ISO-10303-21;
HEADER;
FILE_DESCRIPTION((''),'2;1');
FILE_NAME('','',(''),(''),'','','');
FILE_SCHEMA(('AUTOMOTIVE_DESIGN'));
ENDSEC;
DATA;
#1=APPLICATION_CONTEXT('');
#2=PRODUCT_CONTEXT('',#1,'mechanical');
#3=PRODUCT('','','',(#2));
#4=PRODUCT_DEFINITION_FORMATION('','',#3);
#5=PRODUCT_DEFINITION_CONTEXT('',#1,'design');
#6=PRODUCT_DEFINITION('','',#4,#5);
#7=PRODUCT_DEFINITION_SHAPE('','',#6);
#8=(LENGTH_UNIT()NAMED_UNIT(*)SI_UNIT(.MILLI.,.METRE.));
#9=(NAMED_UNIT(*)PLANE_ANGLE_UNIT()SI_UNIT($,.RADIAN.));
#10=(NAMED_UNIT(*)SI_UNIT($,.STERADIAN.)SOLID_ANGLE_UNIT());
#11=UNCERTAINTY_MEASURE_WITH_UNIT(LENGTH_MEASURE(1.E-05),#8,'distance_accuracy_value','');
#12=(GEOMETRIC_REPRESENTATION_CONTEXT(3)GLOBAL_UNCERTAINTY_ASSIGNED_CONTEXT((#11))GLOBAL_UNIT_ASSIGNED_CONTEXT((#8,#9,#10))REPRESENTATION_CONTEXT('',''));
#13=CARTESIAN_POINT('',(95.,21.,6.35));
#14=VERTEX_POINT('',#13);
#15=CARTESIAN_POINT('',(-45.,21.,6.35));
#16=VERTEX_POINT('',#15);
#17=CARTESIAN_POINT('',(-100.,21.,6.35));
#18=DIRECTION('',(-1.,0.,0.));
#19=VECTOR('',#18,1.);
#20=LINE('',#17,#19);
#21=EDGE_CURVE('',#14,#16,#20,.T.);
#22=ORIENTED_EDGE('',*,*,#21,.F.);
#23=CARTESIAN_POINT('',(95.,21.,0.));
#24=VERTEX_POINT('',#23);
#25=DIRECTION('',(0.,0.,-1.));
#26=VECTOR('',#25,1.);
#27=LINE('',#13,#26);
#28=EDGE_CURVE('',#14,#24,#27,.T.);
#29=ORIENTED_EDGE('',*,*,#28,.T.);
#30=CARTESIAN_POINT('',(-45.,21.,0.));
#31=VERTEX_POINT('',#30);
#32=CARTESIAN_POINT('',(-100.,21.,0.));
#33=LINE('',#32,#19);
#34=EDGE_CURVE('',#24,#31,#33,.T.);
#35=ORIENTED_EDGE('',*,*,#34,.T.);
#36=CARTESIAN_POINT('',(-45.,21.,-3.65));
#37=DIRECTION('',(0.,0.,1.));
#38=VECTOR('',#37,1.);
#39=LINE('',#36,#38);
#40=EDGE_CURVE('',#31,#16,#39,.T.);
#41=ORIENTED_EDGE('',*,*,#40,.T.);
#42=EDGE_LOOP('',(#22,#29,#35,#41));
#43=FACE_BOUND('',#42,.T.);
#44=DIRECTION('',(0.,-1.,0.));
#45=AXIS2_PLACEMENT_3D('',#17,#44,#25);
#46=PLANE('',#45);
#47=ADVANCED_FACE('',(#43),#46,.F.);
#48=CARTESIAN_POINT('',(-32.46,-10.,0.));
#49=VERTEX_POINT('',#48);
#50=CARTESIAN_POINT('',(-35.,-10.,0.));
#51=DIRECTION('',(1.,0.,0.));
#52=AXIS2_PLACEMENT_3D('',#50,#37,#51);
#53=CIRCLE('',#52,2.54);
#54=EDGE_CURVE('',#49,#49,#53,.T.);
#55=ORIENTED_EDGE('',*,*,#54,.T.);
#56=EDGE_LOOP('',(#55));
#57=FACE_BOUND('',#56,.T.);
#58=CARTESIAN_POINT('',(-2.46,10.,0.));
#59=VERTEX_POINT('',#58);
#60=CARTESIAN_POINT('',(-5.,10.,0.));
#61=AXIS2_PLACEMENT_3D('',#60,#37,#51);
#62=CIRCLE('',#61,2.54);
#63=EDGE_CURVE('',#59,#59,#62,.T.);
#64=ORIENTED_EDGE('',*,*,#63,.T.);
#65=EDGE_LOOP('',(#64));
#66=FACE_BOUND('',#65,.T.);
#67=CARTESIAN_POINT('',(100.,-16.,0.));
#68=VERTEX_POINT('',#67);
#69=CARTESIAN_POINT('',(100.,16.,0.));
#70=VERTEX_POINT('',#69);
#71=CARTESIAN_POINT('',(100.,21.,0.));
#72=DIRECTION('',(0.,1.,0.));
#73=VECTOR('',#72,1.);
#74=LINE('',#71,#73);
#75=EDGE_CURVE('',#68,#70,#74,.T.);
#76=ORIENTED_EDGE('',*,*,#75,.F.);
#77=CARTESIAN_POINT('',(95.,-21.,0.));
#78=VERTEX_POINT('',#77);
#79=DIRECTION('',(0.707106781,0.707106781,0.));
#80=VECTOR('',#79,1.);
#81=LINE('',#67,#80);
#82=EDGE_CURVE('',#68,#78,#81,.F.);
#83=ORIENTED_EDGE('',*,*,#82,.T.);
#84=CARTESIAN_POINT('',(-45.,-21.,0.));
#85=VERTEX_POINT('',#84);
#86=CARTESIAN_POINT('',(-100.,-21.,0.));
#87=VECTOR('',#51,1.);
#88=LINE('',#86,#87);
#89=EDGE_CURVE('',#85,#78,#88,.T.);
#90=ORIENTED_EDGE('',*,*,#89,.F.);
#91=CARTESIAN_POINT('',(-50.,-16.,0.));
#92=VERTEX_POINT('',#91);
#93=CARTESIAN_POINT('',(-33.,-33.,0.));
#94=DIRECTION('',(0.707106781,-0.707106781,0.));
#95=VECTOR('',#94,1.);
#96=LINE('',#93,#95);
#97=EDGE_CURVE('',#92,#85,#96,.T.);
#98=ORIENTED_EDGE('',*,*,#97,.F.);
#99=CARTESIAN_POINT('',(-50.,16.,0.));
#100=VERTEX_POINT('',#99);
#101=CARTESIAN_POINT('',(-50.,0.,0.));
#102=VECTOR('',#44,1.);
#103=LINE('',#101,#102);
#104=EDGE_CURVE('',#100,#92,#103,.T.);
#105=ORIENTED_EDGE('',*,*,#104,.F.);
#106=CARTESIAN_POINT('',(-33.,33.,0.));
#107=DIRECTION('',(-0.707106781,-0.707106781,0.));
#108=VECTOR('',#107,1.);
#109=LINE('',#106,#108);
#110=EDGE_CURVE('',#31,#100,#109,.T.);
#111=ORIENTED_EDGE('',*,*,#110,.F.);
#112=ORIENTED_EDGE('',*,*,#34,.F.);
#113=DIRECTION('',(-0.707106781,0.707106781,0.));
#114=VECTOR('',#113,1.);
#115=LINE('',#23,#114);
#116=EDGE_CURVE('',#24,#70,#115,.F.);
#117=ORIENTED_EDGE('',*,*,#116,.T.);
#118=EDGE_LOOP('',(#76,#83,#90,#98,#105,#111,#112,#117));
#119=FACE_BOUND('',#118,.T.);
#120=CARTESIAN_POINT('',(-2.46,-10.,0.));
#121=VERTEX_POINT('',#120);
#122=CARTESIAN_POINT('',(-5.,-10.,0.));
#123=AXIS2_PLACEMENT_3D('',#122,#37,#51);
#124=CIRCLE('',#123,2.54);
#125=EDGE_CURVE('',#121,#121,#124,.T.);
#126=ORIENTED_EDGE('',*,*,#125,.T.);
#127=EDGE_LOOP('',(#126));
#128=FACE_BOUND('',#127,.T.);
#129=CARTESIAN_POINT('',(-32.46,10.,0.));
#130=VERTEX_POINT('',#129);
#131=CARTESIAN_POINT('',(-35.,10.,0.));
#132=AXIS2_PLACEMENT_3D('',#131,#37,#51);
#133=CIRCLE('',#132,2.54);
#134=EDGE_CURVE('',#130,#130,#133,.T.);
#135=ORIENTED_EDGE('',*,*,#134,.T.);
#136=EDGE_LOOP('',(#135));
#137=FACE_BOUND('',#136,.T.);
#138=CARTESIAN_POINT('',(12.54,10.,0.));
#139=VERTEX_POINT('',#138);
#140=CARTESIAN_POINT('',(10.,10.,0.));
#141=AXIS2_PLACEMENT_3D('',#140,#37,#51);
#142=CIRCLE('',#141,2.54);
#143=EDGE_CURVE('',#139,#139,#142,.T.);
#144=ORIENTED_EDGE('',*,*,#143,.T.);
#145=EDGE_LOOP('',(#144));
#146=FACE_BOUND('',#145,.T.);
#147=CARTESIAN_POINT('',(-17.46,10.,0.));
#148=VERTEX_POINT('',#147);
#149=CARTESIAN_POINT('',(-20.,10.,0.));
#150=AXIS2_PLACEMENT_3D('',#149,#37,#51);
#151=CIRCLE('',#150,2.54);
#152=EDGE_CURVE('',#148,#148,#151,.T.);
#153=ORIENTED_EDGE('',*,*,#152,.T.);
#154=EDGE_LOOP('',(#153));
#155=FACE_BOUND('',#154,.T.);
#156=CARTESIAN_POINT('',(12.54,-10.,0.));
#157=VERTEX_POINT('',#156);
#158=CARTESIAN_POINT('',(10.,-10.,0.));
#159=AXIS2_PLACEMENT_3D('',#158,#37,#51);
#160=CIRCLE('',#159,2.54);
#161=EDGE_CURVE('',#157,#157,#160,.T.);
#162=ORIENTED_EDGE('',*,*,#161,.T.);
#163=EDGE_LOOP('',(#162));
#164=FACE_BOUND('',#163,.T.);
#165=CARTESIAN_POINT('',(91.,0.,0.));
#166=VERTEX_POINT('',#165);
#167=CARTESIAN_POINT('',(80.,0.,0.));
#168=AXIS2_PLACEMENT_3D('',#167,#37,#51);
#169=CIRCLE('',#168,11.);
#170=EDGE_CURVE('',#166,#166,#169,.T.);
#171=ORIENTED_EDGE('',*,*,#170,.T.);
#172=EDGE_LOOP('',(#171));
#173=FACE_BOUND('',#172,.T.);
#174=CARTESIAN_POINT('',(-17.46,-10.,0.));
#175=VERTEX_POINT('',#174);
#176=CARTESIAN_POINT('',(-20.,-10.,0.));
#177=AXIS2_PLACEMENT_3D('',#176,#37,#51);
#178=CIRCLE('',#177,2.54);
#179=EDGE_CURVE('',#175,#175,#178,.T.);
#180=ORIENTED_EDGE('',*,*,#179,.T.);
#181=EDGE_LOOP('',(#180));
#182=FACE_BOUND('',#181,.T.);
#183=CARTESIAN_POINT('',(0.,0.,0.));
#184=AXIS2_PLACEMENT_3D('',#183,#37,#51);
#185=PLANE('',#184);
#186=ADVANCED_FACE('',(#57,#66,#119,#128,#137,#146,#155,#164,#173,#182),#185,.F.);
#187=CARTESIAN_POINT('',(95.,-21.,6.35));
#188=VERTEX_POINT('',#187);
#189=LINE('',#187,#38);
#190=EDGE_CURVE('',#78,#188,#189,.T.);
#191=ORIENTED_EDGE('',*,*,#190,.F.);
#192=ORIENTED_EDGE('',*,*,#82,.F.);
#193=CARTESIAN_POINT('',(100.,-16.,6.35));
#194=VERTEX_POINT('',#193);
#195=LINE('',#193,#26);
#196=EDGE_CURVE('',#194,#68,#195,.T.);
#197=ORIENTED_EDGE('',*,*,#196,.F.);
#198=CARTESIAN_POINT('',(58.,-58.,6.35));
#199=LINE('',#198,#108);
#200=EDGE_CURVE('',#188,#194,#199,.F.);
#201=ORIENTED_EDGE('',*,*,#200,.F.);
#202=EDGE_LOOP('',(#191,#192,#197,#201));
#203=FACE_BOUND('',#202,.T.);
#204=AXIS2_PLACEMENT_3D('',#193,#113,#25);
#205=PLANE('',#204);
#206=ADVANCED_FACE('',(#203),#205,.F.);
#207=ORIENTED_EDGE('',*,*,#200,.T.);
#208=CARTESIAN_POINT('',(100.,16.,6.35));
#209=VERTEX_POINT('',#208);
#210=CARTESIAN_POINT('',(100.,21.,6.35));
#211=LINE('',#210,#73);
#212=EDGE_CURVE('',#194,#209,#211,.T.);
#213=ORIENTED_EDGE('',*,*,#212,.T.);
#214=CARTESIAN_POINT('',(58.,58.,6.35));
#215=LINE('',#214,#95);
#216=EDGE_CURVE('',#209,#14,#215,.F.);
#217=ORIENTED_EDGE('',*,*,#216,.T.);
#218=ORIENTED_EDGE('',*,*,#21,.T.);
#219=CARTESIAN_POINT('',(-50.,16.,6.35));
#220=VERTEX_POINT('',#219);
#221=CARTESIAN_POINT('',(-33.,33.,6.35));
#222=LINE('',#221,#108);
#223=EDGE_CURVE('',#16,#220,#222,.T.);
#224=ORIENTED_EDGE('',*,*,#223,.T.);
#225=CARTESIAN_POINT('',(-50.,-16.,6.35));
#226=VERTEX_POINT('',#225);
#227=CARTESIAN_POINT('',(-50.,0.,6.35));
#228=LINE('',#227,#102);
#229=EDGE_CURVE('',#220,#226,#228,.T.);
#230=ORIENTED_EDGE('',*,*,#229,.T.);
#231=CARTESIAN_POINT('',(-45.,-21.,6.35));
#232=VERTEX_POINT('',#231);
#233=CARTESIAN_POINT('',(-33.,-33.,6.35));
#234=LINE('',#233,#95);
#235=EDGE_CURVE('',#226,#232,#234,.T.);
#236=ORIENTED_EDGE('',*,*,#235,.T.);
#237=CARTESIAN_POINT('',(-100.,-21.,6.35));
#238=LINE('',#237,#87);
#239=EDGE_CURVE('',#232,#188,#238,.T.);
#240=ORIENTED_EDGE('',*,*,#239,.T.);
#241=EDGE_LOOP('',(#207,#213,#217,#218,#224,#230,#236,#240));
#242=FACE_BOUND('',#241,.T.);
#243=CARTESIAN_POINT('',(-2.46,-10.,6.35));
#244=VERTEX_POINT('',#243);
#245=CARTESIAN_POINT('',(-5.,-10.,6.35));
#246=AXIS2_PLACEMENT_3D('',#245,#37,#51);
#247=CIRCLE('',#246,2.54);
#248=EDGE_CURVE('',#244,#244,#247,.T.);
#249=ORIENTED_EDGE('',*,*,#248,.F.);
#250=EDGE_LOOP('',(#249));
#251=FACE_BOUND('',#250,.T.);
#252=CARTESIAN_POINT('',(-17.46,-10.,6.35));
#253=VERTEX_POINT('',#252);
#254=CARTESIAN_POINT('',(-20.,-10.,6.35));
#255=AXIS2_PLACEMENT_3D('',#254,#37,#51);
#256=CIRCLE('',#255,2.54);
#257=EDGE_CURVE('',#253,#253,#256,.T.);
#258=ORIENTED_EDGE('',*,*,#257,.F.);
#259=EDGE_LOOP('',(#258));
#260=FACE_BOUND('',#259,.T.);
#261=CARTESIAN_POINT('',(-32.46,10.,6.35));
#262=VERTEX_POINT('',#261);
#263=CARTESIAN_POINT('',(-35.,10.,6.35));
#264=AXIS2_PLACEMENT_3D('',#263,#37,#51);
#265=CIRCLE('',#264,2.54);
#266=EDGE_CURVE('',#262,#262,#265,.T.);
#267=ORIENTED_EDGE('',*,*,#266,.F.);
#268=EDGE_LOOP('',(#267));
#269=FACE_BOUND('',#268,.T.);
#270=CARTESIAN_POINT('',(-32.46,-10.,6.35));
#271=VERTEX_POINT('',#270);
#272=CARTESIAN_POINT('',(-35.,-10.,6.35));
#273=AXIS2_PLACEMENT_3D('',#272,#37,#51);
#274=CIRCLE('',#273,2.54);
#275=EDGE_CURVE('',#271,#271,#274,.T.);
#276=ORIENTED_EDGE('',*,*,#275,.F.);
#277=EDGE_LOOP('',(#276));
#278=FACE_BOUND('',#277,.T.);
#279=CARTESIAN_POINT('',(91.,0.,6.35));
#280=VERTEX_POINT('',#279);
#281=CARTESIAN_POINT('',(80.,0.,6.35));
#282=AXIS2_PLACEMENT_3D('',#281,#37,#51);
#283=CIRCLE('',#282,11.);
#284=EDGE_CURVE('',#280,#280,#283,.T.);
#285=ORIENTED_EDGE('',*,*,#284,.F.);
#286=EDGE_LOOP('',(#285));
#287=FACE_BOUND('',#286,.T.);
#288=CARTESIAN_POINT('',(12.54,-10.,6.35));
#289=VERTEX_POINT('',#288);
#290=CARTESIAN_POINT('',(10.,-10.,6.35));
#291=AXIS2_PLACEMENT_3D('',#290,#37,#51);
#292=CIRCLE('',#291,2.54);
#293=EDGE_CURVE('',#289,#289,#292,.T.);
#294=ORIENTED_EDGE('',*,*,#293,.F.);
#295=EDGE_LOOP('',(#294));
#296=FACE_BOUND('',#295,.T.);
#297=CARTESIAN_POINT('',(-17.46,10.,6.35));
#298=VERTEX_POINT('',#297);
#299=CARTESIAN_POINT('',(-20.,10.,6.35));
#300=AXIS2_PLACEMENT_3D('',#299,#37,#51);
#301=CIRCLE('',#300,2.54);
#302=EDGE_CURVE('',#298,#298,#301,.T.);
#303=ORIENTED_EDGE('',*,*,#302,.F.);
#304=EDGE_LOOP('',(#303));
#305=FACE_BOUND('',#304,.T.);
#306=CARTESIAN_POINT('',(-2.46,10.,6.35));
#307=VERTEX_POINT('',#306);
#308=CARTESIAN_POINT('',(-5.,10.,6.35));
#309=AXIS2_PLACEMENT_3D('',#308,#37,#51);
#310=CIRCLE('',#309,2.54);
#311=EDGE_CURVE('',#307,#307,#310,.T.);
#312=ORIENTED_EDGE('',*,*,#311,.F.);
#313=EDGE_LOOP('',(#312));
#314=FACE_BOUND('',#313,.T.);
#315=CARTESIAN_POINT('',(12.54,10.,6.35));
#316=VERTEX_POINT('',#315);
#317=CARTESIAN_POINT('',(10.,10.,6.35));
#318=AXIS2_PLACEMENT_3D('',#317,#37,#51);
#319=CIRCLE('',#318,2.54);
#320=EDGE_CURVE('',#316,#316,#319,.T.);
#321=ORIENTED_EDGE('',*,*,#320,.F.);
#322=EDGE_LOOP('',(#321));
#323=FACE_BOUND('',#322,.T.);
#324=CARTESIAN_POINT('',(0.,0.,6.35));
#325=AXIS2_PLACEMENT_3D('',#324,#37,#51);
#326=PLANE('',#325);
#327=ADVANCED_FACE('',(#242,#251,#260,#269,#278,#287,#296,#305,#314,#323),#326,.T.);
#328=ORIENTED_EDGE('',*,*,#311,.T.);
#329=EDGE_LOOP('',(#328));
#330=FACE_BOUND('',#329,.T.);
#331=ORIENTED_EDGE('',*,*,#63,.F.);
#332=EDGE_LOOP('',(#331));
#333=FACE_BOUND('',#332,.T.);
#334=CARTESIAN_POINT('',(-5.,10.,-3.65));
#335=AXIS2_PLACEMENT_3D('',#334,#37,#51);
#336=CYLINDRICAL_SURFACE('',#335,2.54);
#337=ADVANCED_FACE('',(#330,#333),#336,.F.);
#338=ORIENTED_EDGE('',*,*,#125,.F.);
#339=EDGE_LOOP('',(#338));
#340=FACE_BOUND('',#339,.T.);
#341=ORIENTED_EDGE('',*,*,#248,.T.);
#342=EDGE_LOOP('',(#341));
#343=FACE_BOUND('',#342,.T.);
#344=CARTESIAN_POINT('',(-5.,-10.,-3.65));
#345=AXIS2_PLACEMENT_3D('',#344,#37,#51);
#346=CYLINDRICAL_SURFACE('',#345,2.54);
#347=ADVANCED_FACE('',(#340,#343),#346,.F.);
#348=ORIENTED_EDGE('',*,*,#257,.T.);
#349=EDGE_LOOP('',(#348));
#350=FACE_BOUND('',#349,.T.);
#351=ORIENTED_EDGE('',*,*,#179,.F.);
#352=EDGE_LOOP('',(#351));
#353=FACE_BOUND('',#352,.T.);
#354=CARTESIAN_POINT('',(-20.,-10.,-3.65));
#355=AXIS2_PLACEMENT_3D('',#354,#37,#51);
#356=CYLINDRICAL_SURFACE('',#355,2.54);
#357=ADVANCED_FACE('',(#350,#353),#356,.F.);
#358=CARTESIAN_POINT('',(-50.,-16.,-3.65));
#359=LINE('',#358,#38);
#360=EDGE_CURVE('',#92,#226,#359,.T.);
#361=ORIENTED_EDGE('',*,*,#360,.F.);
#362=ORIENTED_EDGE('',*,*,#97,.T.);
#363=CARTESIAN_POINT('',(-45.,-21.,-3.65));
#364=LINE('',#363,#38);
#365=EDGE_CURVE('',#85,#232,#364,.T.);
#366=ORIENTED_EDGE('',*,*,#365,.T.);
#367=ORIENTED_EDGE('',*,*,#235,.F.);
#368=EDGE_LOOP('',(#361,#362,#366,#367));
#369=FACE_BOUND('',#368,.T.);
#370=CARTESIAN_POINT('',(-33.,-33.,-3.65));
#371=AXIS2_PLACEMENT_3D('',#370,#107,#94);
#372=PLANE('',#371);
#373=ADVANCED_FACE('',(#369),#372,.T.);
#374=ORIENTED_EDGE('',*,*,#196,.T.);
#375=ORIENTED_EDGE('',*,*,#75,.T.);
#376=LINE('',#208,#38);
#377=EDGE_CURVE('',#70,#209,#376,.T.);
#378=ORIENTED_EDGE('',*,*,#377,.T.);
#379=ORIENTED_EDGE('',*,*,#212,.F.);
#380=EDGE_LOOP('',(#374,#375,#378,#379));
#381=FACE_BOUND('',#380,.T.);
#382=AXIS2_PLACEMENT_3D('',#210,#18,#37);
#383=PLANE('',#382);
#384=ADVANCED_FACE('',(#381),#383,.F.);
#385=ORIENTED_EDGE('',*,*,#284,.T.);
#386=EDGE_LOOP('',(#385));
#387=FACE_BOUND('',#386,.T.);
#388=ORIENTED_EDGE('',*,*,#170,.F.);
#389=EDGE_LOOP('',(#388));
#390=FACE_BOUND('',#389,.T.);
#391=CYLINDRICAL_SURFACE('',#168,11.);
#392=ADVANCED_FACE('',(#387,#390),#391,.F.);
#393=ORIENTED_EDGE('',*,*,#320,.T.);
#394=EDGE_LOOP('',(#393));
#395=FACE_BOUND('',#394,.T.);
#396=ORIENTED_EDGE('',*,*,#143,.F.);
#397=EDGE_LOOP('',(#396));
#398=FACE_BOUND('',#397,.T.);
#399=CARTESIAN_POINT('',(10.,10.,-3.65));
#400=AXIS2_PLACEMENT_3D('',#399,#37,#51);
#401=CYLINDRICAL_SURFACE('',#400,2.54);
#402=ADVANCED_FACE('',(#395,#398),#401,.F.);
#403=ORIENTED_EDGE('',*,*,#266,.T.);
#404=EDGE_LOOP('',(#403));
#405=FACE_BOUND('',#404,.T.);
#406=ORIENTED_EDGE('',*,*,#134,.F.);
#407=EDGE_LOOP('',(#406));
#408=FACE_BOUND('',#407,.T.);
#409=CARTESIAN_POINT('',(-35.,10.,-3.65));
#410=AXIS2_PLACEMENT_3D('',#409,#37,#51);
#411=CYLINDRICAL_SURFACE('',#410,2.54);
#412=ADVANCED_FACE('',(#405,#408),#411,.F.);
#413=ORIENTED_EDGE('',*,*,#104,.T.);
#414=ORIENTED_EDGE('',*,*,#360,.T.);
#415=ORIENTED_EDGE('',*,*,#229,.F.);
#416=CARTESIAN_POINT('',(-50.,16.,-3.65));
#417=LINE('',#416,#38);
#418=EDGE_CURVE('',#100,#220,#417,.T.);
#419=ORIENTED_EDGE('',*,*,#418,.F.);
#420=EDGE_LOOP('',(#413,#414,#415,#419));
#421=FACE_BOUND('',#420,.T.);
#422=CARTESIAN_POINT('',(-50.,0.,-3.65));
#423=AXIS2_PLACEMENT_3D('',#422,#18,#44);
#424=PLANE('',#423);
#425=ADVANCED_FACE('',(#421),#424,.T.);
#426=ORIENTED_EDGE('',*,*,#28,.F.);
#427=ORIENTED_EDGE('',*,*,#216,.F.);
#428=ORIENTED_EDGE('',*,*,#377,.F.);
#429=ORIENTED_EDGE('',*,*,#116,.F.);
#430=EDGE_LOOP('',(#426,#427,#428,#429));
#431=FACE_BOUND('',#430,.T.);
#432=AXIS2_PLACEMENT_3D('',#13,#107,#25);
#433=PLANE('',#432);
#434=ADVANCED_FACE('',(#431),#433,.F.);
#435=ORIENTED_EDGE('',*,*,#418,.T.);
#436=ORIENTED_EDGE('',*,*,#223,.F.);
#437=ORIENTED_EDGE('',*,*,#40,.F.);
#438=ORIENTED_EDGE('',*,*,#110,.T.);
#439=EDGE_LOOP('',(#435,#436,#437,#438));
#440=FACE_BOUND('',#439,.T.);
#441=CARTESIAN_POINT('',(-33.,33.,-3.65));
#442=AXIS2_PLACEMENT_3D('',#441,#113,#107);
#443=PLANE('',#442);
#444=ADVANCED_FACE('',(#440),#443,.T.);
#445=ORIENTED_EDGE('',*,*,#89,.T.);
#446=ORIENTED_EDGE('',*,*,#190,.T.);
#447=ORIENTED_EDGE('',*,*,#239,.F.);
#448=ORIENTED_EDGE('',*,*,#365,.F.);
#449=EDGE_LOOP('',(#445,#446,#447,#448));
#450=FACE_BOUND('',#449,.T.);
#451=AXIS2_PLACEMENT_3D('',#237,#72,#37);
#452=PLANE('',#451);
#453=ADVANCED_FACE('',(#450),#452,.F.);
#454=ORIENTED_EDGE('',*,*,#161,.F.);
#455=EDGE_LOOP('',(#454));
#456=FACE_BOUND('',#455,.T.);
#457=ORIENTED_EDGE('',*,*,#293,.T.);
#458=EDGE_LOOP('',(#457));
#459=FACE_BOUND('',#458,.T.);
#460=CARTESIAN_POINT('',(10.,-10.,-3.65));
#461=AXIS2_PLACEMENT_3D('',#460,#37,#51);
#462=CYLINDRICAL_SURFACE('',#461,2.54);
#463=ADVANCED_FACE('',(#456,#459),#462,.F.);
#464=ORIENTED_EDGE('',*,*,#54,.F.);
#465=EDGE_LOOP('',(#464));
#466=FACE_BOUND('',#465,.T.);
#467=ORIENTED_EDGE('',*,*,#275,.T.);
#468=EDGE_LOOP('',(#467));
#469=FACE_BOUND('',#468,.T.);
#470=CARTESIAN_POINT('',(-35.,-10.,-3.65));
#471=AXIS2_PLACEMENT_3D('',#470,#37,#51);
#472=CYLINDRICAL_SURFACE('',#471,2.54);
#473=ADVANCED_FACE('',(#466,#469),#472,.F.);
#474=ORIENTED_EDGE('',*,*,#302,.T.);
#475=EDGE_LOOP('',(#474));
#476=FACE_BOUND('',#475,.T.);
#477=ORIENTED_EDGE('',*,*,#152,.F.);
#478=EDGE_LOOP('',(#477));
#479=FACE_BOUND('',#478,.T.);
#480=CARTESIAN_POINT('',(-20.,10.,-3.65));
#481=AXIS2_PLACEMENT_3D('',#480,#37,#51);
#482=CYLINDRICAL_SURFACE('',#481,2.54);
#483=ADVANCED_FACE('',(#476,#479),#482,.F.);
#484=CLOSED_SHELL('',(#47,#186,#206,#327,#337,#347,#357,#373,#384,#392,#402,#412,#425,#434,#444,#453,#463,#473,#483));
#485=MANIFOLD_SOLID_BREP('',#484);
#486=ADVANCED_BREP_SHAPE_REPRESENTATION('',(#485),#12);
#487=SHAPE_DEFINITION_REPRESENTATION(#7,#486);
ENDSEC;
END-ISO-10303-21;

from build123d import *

# Parameters (mm, degrees)
SKETCH1_W           = 200
SKETCH1_H           = 42
BOSS_EXTRUDE1_DEPTH = 6.35
SKETCH4_R           = 2.286
CUT_EXTRUDE3_DEPTH  = 7.35
CHAMFER1_SIZE       = 5
SKETCH9_R           = 11
CUT_EXTRUDE8_DEPTH  = 7.35
SKETCH12_R          = 2.286
CUT_EXTRUDE11_DEPTH = 7.35
SKETCH13_R          = 2.286
SKETCH13_R_2        = 2.54
CUT_EXTRUDE12_DEPTH = 10


with BuildPart() as part:
    # Sketch1 → Boss-Extrude1 (new body)
    with BuildSketch(Plane.XY):
        Rectangle(SKETCH1_W, SKETCH1_H)
    extrude(amount=BOSS_EXTRUDE1_DEPTH)

    # Sketch4 → Cut-Extrude3 (cut, through all)
    with BuildSketch(Plane.XY.offset(6.35)):
        with Locations((-76, 0)):
            Circle(SKETCH4_R)
    extrude(amount=-CUT_EXTRUDE3_DEPTH, mode=Mode.SUBTRACT)

    # Chamfer1
    chamfer1_edges = [part.edges().sort_by_distance(p)[0] for p in [
        (100, -21, 3.175),
        (-100, -21, 3.175),
        (-100, 21, 3.175),
        (100, 21, 3.175),
    ]]
    chamfer(chamfer1_edges, length=CHAMFER1_SIZE)

    # Sketch9 → Cut-Extrude8 (cut, through all)
    with BuildSketch(Plane.XY.offset(6.35)):
        with Locations((80, 0)):
            Circle(SKETCH9_R)
    extrude(amount=-CUT_EXTRUDE8_DEPTH, mode=Mode.SUBTRACT)

    # Sketch12 → Cut-Extrude11 (cut, through all)
    with BuildSketch(Plane.XY.offset(6.35)):
        with Locations((-93, 0)):
            Circle(SKETCH12_R)
    extrude(amount=-CUT_EXTRUDE11_DEPTH, mode=Mode.SUBTRACT)

    # Sketch13 → Cut-Extrude12 (cut)
    with BuildSketch(Plane.XY.offset(6.35)):
        Polygon((-50, -16), (-50, 16), (-45, 21), (-95, 21), (-100, 16), (-100, -16), (-95, -21), (-45, -21), align=None)
        with Locations((-93, 0)):
            Circle(SKETCH13_R, mode=Mode.SUBTRACT)
        with Locations((-76, 0)):
            Circle(SKETCH13_R, mode=Mode.SUBTRACT)
        with Locations((-35, 10)):
            Circle(SKETCH13_R_2)
        with Locations((-35, -10)):
            Circle(SKETCH13_R_2)
        with Locations((-20, 10)):
            Circle(SKETCH13_R_2)
        with Locations((-20, -10)):
            Circle(SKETCH13_R_2)
        with Locations((-5, 10)):
            Circle(SKETCH13_R_2)
        with Locations((-5, -10)):
            Circle(SKETCH13_R_2)
        with Locations((10, 10)):
            Circle(SKETCH13_R_2)
        with Locations((10, -10)):
            Circle(SKETCH13_R_2)
    extrude(amount=-CUT_EXTRUDE12_DEPTH, mode=Mode.SUBTRACT)


solid = part.part
